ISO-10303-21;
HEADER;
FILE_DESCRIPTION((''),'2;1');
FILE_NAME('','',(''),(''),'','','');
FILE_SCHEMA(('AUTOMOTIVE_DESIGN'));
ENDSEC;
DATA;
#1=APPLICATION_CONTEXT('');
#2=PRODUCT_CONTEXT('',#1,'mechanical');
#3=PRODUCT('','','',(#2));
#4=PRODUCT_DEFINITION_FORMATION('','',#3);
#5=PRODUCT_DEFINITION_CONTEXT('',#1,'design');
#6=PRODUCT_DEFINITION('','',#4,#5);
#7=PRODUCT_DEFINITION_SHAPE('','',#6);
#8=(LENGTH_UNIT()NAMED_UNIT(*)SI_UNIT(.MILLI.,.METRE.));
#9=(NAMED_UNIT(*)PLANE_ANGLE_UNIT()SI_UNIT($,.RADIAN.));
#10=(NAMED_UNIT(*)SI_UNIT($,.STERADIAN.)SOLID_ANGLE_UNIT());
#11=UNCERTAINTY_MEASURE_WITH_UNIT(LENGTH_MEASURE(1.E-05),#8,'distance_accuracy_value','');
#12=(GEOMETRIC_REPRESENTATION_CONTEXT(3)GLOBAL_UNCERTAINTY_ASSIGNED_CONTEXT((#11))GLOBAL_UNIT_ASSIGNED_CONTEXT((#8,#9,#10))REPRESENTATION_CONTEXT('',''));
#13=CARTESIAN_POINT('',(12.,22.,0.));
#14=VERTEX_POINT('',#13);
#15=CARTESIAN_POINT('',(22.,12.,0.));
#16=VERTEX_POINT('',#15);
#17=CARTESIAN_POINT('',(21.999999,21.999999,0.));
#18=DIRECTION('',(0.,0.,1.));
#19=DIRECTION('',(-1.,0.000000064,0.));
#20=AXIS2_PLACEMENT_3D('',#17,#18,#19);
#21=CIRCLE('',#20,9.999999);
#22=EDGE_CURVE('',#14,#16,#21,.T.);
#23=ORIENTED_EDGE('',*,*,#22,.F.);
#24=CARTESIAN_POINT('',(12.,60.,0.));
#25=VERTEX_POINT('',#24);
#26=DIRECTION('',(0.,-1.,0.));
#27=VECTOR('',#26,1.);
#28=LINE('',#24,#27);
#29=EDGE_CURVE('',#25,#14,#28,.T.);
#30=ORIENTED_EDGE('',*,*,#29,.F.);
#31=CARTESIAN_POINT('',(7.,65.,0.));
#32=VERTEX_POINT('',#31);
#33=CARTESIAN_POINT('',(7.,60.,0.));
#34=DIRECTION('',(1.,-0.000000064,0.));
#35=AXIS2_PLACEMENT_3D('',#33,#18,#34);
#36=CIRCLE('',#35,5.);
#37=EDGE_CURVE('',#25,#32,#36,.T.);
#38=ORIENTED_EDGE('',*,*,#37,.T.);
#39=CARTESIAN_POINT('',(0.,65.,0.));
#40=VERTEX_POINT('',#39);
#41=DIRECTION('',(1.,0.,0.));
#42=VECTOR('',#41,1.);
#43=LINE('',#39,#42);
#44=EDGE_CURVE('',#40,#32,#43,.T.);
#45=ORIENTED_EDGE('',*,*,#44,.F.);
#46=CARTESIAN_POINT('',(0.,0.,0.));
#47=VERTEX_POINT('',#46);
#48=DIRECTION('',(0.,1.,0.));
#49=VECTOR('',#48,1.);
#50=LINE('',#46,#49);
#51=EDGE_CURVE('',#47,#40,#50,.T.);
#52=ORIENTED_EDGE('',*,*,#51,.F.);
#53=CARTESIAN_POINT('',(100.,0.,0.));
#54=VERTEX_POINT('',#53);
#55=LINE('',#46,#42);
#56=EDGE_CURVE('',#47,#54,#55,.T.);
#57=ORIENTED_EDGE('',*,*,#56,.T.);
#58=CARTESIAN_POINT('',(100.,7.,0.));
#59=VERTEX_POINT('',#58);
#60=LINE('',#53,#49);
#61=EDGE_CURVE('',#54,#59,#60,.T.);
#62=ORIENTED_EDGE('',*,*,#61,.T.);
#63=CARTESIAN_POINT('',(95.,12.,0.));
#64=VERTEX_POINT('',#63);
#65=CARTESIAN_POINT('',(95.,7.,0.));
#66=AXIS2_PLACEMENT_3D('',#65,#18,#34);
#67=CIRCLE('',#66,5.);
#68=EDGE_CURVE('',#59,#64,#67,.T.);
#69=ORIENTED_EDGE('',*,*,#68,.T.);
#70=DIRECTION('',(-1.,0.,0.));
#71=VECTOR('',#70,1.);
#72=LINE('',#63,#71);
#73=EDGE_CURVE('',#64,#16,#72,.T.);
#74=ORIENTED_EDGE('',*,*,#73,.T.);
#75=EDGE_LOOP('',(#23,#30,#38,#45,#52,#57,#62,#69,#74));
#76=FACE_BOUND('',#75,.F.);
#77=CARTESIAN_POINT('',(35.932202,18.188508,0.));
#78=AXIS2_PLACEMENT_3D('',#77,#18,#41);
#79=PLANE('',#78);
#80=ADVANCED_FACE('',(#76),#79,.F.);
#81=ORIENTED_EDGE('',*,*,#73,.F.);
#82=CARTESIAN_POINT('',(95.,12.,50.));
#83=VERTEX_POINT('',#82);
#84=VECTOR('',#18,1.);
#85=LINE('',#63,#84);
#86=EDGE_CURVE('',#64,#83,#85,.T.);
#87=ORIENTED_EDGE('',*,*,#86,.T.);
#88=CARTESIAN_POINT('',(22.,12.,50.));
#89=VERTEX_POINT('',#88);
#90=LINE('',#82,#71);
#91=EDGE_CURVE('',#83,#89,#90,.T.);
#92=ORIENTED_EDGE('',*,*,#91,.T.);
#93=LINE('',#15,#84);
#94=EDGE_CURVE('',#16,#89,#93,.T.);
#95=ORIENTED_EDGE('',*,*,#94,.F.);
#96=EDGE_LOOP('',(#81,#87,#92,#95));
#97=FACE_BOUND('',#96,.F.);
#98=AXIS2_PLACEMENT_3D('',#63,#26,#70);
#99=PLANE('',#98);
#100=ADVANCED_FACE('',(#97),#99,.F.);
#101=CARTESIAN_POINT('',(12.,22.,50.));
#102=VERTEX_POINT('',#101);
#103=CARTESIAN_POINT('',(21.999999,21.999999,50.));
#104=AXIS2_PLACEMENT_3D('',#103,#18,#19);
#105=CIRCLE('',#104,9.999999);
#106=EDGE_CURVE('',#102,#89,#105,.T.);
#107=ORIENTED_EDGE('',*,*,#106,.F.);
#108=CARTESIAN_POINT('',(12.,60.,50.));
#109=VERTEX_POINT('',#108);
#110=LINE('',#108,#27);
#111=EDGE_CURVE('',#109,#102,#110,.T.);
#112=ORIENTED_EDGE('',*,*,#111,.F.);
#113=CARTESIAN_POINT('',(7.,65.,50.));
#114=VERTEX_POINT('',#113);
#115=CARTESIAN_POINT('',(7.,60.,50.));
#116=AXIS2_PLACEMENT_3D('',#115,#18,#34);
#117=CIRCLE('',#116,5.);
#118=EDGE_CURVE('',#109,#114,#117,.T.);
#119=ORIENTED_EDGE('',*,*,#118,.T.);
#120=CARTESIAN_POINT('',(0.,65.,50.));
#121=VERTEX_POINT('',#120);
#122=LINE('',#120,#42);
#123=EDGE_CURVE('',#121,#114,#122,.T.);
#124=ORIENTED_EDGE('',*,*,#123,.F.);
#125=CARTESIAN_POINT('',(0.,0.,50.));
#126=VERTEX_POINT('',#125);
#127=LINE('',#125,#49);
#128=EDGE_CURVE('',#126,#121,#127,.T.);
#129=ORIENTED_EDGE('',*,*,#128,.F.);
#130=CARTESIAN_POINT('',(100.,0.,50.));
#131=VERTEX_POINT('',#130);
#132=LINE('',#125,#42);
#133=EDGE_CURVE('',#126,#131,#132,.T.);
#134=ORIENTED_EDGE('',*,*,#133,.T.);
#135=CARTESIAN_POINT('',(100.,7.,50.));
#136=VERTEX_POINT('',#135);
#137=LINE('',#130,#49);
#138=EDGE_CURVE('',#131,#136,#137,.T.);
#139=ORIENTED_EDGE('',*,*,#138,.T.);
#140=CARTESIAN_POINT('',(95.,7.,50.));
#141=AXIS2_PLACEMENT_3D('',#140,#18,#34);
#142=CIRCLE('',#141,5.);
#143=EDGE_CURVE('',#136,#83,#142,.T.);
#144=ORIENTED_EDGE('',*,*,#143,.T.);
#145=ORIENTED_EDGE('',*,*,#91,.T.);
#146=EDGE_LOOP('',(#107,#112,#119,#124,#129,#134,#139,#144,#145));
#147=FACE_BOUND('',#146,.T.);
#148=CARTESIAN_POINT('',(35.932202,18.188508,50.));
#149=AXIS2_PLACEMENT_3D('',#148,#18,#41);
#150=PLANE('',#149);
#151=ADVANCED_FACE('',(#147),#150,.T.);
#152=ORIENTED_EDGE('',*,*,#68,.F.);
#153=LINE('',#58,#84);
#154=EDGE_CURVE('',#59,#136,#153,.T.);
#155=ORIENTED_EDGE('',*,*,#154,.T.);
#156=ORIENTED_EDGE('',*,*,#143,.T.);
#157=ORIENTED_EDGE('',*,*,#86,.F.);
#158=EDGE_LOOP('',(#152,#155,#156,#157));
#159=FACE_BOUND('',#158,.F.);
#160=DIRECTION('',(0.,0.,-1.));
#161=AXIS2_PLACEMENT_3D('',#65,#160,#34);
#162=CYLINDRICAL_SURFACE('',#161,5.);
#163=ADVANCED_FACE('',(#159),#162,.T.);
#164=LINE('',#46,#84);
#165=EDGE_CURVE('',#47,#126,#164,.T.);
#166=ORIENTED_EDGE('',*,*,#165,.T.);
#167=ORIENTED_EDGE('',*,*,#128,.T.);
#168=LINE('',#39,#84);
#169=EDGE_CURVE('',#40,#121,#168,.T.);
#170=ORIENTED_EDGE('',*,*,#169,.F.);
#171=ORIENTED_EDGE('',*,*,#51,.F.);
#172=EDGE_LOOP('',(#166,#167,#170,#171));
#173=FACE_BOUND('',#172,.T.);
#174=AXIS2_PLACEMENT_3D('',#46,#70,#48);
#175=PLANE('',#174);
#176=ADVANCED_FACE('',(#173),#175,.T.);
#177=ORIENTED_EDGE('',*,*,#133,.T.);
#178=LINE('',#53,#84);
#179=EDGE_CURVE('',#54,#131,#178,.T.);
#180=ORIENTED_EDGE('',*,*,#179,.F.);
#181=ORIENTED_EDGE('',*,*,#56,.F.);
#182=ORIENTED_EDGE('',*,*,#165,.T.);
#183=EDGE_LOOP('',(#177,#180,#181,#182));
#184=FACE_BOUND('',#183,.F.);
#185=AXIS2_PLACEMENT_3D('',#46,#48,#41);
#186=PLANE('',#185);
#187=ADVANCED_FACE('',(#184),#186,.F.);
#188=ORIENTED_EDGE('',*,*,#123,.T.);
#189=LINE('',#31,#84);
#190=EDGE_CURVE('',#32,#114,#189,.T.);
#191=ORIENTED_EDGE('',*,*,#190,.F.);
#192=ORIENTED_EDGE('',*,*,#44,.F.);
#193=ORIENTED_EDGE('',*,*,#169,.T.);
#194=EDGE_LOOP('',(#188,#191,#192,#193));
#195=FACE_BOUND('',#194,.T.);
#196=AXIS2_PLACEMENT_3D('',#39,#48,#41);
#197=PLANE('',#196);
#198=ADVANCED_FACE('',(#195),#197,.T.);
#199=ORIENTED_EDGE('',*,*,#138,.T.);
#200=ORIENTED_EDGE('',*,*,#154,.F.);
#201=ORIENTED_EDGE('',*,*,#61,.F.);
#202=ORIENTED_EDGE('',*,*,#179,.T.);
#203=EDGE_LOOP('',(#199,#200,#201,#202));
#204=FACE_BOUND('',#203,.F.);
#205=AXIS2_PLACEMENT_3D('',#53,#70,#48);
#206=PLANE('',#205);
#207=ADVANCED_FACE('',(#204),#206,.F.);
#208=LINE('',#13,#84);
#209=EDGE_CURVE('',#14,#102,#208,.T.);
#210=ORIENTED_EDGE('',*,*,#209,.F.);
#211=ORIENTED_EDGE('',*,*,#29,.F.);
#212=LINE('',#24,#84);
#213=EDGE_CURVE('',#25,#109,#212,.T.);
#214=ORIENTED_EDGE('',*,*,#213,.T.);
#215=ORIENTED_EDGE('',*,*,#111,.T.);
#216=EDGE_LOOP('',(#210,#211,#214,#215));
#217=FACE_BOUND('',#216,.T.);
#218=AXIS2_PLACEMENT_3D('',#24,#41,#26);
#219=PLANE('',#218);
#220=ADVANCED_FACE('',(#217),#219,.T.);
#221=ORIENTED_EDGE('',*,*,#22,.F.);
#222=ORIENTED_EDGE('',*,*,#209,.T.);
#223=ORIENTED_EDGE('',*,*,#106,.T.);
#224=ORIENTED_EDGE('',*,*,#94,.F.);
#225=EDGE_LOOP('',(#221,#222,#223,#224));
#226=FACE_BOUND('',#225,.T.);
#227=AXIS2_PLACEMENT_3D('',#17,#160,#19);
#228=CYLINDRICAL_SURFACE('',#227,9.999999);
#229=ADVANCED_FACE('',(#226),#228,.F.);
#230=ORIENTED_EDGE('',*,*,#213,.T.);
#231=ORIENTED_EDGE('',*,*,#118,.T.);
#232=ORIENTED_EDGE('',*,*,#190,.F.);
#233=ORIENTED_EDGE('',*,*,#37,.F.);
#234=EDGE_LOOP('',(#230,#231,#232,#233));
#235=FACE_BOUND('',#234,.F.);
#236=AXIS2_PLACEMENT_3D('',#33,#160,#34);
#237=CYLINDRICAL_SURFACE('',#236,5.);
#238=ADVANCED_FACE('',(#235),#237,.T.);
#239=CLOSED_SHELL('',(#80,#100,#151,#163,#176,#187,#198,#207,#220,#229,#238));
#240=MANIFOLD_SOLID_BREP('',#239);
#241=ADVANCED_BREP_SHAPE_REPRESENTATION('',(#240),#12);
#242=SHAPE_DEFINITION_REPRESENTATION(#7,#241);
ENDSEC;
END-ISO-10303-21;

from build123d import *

# Parameters (mm, degrees)
EXTRUDE_DEPTH = 50


with BuildPart() as part:
    # Sketch → Extrude (new body)
    with BuildSketch(Plane.XY):
        with BuildLine():
            Line((0, 0), (100, 0))
            Line((100, 0), (100, 7))
            ThreePointArc((100, 7), (98.535534, 10.535534), (95, 12))
            Line((95, 12), (22, 12))
            ThreePointArc((12, 22), (14.928932, 14.928932), (22, 12))
            Line((12, 60), (12, 22))
            ThreePointArc((12, 60), (10.535534, 63.535534), (7, 65))
            Line((0, 65), (7, 65))
            Line((0, 0), (0, 65))
        make_face()
    extrude(amount=EXTRUDE_DEPTH)


solid = part.part
